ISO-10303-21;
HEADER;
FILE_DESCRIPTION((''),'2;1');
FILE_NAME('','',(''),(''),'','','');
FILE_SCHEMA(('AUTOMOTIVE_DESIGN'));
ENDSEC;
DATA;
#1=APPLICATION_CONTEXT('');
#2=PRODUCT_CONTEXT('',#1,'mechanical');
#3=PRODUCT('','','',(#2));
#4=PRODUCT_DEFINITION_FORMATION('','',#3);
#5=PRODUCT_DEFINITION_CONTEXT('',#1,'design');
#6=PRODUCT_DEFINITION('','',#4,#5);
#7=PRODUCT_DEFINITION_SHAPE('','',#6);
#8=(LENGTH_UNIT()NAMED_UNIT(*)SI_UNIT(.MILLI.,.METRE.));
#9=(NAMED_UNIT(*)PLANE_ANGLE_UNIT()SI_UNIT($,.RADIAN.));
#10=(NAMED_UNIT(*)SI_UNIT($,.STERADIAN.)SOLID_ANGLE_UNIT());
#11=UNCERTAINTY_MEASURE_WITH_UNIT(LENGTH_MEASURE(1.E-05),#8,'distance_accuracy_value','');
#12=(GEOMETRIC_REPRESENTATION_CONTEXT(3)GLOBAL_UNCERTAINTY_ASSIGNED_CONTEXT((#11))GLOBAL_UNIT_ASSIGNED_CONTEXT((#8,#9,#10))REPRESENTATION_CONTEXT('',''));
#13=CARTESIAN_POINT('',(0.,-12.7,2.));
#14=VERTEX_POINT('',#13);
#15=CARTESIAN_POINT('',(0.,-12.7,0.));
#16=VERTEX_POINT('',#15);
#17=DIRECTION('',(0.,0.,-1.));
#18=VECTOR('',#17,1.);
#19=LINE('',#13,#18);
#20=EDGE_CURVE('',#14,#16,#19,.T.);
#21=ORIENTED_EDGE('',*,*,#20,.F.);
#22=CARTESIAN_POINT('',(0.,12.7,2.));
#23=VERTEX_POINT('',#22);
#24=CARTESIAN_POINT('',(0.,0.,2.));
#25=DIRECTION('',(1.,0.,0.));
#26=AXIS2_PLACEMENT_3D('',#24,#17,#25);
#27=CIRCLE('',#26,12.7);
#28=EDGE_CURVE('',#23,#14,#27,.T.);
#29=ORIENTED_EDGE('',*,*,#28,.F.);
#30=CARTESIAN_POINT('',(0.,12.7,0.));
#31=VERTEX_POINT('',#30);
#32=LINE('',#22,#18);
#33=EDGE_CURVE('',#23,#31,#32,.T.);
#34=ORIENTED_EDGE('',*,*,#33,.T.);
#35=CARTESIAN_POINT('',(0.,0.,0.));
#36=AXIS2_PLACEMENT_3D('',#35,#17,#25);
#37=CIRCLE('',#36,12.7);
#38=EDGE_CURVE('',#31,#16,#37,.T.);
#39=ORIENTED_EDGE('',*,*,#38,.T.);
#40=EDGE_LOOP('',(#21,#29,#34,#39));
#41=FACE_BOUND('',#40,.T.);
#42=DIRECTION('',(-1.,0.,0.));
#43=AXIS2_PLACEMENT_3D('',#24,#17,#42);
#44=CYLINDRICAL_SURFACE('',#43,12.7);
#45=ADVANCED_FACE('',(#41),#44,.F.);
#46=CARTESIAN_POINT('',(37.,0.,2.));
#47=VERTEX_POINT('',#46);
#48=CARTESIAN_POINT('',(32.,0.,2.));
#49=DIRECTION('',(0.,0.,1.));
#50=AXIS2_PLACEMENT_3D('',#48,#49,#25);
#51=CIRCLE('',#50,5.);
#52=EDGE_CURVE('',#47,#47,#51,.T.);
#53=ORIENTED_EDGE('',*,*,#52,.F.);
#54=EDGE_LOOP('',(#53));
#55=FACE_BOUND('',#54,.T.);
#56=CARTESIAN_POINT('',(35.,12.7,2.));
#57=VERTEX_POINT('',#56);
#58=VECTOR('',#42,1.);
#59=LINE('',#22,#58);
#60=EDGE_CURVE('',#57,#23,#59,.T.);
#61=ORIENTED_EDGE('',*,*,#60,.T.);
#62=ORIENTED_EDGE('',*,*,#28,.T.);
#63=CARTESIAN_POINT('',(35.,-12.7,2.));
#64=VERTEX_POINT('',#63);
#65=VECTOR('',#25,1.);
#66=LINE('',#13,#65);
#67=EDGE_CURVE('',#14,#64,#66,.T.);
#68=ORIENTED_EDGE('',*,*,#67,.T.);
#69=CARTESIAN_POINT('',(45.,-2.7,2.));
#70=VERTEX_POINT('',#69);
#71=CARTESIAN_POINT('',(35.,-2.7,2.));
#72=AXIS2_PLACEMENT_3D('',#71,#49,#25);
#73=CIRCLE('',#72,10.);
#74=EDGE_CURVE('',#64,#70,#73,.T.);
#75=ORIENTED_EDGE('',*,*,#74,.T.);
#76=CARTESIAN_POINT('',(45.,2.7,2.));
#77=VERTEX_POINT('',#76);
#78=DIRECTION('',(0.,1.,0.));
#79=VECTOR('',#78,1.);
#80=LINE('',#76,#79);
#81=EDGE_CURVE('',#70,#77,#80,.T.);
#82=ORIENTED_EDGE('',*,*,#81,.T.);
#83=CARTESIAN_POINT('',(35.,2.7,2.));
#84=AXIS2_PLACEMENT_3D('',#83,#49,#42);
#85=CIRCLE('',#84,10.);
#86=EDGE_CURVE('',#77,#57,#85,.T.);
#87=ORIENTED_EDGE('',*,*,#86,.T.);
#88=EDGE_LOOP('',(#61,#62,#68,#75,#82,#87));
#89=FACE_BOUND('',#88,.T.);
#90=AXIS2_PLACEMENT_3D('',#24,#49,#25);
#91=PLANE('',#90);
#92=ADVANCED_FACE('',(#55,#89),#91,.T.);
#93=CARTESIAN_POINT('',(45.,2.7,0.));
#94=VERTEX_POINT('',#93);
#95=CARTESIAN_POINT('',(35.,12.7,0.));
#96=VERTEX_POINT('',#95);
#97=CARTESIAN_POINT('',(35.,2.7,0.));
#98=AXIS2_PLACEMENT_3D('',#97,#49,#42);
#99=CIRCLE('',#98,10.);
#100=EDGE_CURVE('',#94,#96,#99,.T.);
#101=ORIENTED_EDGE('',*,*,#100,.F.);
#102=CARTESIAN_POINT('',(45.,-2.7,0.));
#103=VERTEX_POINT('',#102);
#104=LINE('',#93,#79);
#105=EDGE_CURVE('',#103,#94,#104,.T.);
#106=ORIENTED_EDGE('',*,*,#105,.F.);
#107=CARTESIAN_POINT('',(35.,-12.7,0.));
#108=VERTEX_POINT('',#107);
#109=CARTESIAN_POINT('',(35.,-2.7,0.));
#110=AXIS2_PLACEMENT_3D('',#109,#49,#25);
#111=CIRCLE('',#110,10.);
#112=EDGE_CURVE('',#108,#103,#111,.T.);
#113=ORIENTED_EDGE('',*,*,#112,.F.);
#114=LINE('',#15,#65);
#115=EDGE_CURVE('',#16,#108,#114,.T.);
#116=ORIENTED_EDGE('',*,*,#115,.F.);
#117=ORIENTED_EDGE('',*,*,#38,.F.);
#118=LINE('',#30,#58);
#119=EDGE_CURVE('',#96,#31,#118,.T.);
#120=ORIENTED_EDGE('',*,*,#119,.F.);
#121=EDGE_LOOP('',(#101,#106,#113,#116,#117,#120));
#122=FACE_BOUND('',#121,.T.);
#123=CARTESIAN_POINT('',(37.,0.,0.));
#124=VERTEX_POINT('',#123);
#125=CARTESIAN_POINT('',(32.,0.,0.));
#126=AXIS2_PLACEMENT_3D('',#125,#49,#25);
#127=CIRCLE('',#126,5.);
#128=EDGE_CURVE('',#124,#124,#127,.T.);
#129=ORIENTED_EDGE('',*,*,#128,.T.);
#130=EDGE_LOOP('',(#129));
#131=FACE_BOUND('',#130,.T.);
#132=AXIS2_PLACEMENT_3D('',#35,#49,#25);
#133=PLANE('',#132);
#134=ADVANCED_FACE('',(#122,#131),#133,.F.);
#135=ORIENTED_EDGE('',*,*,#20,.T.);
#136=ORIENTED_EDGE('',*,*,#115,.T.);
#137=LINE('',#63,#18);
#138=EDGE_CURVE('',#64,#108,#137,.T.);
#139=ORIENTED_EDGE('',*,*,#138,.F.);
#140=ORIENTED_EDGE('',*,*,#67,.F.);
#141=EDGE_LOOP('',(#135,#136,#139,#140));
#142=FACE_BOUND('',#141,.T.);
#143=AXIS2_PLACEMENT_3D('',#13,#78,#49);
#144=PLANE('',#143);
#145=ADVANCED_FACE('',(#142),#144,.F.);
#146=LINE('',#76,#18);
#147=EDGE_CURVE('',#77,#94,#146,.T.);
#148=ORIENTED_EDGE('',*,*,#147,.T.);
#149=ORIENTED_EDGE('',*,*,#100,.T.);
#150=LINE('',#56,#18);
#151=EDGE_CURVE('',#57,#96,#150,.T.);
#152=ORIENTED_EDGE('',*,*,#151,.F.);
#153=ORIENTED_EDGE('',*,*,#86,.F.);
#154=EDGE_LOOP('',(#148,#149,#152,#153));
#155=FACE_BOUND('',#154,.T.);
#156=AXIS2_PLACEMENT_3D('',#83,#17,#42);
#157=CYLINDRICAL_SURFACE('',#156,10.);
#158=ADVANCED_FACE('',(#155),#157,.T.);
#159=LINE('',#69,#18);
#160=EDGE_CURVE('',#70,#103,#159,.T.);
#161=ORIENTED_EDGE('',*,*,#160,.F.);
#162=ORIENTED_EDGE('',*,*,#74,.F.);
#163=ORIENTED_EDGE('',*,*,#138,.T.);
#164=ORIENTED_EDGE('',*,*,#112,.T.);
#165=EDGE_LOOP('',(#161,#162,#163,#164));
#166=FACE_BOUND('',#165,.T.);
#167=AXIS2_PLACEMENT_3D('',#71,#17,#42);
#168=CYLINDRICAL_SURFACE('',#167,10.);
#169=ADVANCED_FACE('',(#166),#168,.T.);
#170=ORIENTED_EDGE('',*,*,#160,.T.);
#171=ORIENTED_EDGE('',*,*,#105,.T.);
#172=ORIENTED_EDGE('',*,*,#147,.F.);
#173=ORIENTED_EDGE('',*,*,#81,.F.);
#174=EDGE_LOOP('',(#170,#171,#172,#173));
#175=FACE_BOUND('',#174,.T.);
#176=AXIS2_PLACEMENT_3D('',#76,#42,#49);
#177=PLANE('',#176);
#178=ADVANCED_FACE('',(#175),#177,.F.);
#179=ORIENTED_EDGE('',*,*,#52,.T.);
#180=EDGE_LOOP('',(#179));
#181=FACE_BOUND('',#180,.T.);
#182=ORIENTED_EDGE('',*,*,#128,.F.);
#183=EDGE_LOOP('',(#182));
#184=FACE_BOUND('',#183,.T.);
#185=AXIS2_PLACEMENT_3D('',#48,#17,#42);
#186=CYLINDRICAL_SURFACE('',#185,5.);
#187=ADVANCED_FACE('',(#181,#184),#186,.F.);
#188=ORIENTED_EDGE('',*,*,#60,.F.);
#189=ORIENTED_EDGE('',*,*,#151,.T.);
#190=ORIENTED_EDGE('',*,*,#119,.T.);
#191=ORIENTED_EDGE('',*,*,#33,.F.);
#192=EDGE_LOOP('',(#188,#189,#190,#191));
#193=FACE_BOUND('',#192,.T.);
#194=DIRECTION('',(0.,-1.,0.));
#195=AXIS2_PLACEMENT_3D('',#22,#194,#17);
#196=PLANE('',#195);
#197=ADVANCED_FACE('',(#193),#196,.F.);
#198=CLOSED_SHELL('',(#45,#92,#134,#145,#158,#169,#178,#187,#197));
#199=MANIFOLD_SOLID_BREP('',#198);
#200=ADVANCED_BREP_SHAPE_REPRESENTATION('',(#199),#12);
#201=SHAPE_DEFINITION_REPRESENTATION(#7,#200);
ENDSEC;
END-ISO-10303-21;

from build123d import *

# Parameters (mm, degrees)
SKETCH1_R           = 5
BOSS_EXTRUDE1_DEPTH = 2


with BuildPart() as part:
    # Sketch1 → Boss-Extrude1 (new body)
    with BuildSketch(Plane.XY):
        with BuildLine():
            Line((0, 12.7), (35, 12.7))
            ThreePointArc((35, 12.7), (42.071067812, 9.771067812), (45, 2.7))
            Line((45, 2.7), (45, -2.7))
            ThreePointArc((45, -2.7), (42.071067812, -9.771067812), (35, -12.7))
            Line((35, -12.7), (0, -12.7))
            ThreePointArc((0, -12.7), (12.7, 0), (0, 12.7))
        make_face()
        with Locations((32, 0)):
            Circle(SKETCH1_R, mode=Mode.SUBTRACT)
    extrude(amount=BOSS_EXTRUDE1_DEPTH)


solid = part.part
